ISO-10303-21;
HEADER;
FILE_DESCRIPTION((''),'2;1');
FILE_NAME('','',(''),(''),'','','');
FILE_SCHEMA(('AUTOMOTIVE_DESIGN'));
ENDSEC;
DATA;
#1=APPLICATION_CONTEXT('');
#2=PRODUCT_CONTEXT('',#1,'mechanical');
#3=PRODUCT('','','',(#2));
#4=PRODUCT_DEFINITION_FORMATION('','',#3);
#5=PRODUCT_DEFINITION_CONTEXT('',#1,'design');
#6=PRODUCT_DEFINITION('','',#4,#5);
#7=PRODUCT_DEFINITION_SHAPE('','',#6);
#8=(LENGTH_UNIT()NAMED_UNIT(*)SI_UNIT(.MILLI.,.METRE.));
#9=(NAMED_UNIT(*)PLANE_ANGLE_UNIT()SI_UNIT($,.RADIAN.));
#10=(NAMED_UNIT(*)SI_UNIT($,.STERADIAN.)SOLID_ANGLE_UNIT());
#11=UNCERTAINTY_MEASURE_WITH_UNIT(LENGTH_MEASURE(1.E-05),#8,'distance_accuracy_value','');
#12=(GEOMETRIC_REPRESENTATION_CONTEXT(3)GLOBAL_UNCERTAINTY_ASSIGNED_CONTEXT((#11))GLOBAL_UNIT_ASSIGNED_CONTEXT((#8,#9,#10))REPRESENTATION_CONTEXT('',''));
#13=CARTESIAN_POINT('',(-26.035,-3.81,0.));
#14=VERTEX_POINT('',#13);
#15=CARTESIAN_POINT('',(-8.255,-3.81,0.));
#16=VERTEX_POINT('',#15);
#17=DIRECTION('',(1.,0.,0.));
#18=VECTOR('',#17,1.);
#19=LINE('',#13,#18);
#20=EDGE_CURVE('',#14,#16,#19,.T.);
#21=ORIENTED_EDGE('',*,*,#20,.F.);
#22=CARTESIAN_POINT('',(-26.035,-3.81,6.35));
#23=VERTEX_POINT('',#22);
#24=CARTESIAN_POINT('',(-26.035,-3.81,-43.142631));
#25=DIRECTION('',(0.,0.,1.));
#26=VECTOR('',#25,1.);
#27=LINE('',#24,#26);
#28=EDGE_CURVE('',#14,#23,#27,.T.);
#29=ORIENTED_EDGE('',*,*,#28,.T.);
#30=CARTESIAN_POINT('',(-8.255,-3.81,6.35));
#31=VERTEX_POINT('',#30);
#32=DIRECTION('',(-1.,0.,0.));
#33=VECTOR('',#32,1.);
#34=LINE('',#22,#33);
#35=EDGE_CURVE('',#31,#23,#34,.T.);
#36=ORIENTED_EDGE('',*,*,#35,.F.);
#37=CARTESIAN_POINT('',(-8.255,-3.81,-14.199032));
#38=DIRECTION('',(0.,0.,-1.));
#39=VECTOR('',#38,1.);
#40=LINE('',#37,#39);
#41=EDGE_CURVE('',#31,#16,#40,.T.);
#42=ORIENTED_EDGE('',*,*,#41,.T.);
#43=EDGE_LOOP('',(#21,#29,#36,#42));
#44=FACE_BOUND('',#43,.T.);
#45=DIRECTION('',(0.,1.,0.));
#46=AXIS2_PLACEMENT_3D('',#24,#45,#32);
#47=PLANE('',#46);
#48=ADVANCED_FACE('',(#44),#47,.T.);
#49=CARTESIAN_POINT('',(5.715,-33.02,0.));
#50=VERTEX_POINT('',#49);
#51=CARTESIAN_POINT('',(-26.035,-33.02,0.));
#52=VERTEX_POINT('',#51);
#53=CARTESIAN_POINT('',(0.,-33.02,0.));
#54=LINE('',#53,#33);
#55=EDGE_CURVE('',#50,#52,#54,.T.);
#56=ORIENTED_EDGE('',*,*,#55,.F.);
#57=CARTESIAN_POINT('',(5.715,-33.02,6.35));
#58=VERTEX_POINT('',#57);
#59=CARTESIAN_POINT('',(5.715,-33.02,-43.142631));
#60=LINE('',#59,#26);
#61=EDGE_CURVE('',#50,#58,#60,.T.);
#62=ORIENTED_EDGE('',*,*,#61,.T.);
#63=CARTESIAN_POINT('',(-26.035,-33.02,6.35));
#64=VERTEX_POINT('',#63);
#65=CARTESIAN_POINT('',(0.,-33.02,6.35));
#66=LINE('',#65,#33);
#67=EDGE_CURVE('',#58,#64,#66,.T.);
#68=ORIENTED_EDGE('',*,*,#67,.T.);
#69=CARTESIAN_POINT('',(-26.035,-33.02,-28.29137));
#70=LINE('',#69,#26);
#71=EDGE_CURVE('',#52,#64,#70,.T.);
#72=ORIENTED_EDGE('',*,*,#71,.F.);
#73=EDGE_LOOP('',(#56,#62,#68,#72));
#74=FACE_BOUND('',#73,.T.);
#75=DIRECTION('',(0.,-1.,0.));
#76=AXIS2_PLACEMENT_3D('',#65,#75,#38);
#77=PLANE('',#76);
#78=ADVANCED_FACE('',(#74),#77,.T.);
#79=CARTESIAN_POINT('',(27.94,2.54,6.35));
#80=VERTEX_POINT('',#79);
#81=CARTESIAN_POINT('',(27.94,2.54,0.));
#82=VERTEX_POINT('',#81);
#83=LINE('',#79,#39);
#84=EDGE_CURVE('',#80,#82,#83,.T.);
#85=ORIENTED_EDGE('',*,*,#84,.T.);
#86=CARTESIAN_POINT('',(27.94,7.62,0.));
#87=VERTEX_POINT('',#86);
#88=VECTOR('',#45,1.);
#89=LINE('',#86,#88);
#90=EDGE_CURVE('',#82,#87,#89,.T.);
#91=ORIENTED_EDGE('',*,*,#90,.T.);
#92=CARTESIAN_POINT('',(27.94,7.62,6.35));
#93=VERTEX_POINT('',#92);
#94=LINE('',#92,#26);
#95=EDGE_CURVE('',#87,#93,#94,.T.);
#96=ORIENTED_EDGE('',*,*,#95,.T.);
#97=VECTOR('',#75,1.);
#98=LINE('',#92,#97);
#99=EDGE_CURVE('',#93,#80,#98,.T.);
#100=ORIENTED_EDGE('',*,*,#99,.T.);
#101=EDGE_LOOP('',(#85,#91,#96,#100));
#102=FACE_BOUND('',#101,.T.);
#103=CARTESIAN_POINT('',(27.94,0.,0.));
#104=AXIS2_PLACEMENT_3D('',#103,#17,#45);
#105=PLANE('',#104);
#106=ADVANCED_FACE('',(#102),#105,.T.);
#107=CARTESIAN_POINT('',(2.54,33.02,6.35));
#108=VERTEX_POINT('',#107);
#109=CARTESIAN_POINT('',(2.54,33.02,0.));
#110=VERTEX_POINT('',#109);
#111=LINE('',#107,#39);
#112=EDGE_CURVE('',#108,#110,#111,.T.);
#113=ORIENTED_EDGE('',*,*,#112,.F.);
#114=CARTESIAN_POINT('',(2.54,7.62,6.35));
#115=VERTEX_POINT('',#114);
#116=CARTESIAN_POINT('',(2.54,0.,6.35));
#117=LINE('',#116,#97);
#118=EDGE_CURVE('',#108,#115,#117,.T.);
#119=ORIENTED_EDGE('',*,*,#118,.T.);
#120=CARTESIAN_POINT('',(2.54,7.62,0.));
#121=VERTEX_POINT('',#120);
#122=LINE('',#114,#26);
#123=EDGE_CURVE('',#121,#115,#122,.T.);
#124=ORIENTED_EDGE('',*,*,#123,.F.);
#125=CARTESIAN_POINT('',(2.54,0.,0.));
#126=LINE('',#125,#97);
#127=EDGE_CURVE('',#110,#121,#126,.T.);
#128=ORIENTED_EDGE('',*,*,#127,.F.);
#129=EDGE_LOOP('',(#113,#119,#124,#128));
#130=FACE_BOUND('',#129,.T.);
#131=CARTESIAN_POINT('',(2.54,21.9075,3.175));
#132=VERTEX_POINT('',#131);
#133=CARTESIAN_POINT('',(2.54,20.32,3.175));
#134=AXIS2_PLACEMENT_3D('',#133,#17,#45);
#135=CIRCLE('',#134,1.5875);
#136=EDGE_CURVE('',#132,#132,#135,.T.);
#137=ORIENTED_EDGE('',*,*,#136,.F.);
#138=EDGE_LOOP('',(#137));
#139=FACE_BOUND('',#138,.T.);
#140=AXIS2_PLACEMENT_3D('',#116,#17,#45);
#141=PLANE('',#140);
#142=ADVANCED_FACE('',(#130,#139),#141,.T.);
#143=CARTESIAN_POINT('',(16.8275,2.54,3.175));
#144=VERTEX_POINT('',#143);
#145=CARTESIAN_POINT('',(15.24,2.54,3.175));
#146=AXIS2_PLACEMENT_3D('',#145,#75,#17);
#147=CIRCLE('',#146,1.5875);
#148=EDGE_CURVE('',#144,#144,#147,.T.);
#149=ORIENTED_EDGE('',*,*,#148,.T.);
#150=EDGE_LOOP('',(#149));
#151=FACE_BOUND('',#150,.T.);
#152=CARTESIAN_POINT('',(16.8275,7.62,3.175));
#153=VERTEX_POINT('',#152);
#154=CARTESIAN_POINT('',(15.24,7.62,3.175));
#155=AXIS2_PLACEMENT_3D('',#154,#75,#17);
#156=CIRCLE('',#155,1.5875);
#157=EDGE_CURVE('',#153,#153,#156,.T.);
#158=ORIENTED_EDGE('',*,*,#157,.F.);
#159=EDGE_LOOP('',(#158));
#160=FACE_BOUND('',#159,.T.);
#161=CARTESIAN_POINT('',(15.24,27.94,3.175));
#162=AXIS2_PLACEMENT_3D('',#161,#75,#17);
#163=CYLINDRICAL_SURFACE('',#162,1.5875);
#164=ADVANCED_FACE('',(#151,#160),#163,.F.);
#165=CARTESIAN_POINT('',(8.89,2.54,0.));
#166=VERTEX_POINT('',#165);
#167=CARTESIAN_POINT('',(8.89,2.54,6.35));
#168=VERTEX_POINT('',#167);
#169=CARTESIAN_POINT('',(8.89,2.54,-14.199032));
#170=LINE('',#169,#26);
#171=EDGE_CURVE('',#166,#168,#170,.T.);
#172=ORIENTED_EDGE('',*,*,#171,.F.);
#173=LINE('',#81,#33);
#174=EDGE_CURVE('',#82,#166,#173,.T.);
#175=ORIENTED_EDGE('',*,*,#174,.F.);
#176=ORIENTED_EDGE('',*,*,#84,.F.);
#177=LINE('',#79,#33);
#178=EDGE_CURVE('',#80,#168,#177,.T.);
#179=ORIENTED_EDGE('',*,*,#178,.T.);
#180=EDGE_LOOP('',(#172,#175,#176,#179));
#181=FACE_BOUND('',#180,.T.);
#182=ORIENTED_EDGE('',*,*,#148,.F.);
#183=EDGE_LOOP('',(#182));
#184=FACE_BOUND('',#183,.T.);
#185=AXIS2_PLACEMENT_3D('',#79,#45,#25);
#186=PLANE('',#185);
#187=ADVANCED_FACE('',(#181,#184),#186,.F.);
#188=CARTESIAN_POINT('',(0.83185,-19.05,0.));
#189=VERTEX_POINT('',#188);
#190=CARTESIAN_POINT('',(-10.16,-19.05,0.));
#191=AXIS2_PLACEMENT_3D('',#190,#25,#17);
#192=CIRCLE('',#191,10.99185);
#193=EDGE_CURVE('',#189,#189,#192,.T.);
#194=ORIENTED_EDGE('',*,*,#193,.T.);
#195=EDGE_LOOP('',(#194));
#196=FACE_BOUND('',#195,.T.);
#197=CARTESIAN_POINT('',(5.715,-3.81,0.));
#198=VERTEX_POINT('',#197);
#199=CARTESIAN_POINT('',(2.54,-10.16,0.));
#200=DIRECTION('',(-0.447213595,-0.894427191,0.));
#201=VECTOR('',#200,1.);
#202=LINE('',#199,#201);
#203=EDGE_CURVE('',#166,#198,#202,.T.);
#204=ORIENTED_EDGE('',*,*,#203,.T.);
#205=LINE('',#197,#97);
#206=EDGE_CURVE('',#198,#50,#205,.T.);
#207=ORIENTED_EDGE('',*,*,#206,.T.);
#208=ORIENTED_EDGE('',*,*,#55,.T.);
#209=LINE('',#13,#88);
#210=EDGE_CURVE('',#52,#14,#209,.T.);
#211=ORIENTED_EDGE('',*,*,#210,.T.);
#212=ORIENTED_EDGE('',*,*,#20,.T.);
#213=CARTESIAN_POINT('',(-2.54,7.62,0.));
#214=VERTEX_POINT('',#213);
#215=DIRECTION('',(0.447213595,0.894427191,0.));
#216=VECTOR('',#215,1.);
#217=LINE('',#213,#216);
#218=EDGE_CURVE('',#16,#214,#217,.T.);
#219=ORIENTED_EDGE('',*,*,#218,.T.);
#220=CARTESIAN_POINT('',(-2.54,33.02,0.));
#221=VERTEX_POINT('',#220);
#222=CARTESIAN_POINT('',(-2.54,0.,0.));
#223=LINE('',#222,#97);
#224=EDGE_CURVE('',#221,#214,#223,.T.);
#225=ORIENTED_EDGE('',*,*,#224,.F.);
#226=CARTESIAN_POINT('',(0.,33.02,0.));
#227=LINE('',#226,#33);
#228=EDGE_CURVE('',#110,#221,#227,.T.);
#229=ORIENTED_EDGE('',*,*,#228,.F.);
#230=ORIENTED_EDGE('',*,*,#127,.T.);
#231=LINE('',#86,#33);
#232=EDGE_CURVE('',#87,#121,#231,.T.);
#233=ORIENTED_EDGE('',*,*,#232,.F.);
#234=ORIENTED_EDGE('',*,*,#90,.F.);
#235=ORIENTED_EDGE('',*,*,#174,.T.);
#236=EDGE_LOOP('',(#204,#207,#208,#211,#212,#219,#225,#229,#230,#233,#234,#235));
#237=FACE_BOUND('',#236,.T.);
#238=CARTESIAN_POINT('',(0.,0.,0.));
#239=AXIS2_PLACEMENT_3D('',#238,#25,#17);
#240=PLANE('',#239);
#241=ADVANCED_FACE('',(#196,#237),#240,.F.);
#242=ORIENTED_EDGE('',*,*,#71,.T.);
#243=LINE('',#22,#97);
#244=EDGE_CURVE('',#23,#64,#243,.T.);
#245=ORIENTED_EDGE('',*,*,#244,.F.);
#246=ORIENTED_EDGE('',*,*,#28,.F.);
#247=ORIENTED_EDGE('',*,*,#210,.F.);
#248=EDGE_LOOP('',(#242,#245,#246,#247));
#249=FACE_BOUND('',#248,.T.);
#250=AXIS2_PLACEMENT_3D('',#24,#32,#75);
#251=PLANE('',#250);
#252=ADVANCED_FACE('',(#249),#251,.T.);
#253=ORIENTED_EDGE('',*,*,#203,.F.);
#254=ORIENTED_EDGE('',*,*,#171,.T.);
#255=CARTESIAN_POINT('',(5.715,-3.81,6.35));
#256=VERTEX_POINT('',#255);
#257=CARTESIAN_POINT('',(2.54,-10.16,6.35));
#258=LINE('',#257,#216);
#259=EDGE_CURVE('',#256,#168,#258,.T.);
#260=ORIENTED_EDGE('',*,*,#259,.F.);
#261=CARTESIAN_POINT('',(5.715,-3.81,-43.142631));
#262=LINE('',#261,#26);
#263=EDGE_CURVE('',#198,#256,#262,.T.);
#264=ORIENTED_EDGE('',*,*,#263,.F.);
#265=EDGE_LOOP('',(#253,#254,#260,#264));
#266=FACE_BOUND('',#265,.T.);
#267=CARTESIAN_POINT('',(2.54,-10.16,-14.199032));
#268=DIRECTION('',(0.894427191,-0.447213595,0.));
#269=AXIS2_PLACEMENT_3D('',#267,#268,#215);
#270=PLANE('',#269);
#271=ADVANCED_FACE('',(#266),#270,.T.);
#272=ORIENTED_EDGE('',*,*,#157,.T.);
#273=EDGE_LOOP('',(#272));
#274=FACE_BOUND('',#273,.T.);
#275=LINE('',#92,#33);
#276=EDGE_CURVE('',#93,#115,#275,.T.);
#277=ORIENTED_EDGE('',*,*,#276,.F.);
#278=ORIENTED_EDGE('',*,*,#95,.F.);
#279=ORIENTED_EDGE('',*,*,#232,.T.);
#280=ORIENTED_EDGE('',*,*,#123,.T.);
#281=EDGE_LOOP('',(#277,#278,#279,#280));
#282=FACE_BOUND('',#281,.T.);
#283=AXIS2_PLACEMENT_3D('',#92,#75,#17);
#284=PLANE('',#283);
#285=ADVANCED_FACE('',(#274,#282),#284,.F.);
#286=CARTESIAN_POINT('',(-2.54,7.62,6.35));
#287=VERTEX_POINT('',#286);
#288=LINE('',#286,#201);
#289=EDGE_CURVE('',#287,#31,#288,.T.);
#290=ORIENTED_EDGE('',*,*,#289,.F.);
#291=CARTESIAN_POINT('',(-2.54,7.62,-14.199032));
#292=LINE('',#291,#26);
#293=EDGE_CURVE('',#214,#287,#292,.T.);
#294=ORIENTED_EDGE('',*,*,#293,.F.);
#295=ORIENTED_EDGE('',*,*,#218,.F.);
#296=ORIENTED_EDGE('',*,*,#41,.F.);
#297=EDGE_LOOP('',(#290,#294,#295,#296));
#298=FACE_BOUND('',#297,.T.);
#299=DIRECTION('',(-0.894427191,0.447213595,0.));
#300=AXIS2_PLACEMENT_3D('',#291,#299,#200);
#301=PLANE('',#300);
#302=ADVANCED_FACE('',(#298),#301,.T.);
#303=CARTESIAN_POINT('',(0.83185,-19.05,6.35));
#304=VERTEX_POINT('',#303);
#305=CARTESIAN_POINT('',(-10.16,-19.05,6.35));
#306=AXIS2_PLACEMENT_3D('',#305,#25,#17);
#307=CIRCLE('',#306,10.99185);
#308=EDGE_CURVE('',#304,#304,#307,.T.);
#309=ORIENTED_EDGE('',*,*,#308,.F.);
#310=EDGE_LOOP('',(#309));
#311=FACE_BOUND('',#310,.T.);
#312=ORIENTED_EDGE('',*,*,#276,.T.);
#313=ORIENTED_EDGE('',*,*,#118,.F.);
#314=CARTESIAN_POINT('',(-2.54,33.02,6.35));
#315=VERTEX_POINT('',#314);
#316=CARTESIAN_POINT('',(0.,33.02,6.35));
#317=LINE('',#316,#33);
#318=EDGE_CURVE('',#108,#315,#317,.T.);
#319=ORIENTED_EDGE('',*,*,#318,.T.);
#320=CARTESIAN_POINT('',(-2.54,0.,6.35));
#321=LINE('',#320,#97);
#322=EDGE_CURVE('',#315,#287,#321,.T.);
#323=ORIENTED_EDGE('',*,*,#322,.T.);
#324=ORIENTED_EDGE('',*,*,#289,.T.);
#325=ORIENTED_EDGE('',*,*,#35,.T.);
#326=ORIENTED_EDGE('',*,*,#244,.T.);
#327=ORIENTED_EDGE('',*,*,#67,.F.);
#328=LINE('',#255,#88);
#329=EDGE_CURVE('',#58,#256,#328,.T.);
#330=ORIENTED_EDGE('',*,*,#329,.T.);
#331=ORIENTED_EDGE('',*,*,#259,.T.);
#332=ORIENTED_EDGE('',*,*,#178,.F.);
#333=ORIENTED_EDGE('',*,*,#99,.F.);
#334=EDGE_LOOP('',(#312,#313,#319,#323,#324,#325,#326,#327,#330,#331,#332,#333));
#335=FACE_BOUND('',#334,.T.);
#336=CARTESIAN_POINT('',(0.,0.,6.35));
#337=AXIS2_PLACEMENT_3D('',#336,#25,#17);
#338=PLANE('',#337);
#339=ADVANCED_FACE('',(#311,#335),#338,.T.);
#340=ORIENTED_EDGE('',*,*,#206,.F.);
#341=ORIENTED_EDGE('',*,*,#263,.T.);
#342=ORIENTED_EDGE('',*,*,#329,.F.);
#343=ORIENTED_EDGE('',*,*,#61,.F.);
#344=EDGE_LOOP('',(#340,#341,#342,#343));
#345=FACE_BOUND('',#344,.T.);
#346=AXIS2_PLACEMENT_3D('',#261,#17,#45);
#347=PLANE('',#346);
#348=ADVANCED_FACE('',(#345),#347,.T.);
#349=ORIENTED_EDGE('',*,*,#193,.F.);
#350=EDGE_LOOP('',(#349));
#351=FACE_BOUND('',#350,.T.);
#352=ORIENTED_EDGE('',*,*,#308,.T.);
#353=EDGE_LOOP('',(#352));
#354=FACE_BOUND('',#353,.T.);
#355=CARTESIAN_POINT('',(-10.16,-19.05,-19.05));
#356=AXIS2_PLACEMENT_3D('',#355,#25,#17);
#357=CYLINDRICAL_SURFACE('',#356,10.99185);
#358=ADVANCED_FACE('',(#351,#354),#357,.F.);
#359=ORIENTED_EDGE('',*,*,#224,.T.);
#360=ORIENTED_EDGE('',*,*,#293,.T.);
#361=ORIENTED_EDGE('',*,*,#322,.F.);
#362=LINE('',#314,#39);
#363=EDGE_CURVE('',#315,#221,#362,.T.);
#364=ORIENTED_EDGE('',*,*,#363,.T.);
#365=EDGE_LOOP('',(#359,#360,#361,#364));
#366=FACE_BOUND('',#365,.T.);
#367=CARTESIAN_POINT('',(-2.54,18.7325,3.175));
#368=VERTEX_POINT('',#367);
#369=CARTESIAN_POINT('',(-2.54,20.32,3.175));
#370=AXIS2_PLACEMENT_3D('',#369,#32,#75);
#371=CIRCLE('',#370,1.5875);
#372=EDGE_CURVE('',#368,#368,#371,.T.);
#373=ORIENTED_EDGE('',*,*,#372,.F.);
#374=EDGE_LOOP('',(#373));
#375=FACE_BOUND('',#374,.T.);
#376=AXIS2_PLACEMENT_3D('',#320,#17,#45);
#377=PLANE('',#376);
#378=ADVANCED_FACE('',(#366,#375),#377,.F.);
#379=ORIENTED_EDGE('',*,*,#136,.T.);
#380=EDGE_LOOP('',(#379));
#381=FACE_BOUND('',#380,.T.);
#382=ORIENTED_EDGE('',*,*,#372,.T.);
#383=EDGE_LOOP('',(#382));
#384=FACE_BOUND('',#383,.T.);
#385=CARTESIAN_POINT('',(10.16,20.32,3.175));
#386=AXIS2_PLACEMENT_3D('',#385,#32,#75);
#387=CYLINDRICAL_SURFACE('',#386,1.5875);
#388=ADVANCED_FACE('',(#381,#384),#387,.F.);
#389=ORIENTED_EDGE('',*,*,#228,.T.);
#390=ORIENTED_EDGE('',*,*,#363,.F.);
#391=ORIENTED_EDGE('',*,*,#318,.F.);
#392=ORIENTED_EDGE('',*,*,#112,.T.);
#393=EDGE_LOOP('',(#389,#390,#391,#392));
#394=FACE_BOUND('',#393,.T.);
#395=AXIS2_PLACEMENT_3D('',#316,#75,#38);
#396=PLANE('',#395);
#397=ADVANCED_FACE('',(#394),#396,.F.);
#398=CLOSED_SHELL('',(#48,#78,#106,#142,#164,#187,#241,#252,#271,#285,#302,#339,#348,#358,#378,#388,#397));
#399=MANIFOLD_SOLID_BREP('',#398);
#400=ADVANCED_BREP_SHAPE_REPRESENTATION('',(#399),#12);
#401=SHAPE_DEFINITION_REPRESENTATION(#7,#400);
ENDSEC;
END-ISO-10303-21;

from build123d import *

# Parameters (mm, degrees)
SKETCH1_W           = 27.94
SKETCH1_H           = 27.94
SKETCH1_W_2         = 5.08
SKETCH1_H_2         = 66.04
BOSS_EXTRUDE1_DEPTH = 6.35
SKETCH2_R           = 1.5875
CUT_EXTRUDE1_DEPTH  = 12.7
SKETCH3_W           = 6.35
SKETCH3_H           = 5.08
BOSS_EXTRUDE2_DEPTH = 25.4
SKETCH4_R           = 1.5875
CUT_EXTRUDE2_DEPTH  = 25.4
SKETCH5_R           = 10.99185
CUT_EXTRUDE3_DEPTH  = 25.4
BOSS_EXTRUDE3_DEPTH = 6.35
SKETCH8_W           = 31.75
SKETCH8_H           = 29.21
SKETCH8_R           = 10.99185
BOSS_EXTRUDE4_DEPTH = 6.35
SKETCH9_W           = 4.445
SKETCH9_H           = 27.94
CUT_EXTRUDE4_DEPTH  = 6.35


with BuildPart() as part:
    # Sketch1 → Boss-Extrude1 (new body)
    with BuildSketch(Plane.XY):
        with Locations((-16.51, -19.05)):
            Rectangle(SKETCH1_W, SKETCH1_H)
        Rectangle(SKETCH1_W_2, SKETCH1_H_2)
    extrude(amount=BOSS_EXTRUDE1_DEPTH)

    # Sketch2 → Cut-Extrude1 (cut)
    with BuildSketch(Plane.ZY.offset(2.54)):
        with Locations((3.175, 20.32)):
            Circle(SKETCH2_R)
    extrude(amount=-CUT_EXTRUDE1_DEPTH, mode=Mode.SUBTRACT)

    # Sketch3 → Boss-Extrude2 (add)
    with BuildSketch(Plane(origin=(2.54, 0, 0), x_dir=(0, 0, -1), z_dir=(1, 0, 0))):
        with Locations((-3.175, 5.08)):
            Rectangle(SKETCH3_W, SKETCH3_H)
    extrude(amount=BOSS_EXTRUDE2_DEPTH)

    # Sketch4 → Cut-Extrude2 (cut)
    with BuildSketch(Plane.XZ.offset(-2.54)):
        with Locations((15.24, 3.175)):
            Circle(SKETCH4_R)
    extrude(amount=-CUT_EXTRUDE2_DEPTH, mode=Mode.SUBTRACT)

    # Sketch5 → Cut-Extrude3 (cut)
    with BuildSketch(Plane.XY.offset(6.35)):
        with Locations((-10.16, -19.05)):
            Circle(SKETCH5_R)
    extrude(amount=-CUT_EXTRUDE3_DEPTH, mode=Mode.SUBTRACT)

    # Sketch6 → Boss-Extrude3 (add)
    with BuildSketch(Plane.XY.offset(6.35)):
        Polygon((-2.54, 7.62), (-8.89, -5.08), (-2.54, -5.08), align=None)
        Polygon((2.54, 2.54), (2.54, -10.16), (8.89, 2.54), align=None)
    extrude(amount=-BOSS_EXTRUDE3_DEPTH)

    # Sketch8 → Boss-Extrude4 (add)
    with BuildSketch(Plane.XY.offset(6.35)):
        with Locations((-10.16, -18.415)):
            Rectangle(SKETCH8_W, SKETCH8_H)
        with Locations((-10.16, -19.05)):
            Circle(SKETCH8_R, mode=Mode.SUBTRACT)
    extrude(amount=-BOSS_EXTRUDE4_DEPTH)

    # Sketch9 → Cut-Extrude4 (cut)
    with BuildSketch(Plane.XY.offset(6.35)):
        with Locations((-28.2575, -19.05)):
            Rectangle(SKETCH9_W, SKETCH9_H)
    extrude(amount=-CUT_EXTRUDE4_DEPTH, mode=Mode.SUBTRACT)


solid = part.part
